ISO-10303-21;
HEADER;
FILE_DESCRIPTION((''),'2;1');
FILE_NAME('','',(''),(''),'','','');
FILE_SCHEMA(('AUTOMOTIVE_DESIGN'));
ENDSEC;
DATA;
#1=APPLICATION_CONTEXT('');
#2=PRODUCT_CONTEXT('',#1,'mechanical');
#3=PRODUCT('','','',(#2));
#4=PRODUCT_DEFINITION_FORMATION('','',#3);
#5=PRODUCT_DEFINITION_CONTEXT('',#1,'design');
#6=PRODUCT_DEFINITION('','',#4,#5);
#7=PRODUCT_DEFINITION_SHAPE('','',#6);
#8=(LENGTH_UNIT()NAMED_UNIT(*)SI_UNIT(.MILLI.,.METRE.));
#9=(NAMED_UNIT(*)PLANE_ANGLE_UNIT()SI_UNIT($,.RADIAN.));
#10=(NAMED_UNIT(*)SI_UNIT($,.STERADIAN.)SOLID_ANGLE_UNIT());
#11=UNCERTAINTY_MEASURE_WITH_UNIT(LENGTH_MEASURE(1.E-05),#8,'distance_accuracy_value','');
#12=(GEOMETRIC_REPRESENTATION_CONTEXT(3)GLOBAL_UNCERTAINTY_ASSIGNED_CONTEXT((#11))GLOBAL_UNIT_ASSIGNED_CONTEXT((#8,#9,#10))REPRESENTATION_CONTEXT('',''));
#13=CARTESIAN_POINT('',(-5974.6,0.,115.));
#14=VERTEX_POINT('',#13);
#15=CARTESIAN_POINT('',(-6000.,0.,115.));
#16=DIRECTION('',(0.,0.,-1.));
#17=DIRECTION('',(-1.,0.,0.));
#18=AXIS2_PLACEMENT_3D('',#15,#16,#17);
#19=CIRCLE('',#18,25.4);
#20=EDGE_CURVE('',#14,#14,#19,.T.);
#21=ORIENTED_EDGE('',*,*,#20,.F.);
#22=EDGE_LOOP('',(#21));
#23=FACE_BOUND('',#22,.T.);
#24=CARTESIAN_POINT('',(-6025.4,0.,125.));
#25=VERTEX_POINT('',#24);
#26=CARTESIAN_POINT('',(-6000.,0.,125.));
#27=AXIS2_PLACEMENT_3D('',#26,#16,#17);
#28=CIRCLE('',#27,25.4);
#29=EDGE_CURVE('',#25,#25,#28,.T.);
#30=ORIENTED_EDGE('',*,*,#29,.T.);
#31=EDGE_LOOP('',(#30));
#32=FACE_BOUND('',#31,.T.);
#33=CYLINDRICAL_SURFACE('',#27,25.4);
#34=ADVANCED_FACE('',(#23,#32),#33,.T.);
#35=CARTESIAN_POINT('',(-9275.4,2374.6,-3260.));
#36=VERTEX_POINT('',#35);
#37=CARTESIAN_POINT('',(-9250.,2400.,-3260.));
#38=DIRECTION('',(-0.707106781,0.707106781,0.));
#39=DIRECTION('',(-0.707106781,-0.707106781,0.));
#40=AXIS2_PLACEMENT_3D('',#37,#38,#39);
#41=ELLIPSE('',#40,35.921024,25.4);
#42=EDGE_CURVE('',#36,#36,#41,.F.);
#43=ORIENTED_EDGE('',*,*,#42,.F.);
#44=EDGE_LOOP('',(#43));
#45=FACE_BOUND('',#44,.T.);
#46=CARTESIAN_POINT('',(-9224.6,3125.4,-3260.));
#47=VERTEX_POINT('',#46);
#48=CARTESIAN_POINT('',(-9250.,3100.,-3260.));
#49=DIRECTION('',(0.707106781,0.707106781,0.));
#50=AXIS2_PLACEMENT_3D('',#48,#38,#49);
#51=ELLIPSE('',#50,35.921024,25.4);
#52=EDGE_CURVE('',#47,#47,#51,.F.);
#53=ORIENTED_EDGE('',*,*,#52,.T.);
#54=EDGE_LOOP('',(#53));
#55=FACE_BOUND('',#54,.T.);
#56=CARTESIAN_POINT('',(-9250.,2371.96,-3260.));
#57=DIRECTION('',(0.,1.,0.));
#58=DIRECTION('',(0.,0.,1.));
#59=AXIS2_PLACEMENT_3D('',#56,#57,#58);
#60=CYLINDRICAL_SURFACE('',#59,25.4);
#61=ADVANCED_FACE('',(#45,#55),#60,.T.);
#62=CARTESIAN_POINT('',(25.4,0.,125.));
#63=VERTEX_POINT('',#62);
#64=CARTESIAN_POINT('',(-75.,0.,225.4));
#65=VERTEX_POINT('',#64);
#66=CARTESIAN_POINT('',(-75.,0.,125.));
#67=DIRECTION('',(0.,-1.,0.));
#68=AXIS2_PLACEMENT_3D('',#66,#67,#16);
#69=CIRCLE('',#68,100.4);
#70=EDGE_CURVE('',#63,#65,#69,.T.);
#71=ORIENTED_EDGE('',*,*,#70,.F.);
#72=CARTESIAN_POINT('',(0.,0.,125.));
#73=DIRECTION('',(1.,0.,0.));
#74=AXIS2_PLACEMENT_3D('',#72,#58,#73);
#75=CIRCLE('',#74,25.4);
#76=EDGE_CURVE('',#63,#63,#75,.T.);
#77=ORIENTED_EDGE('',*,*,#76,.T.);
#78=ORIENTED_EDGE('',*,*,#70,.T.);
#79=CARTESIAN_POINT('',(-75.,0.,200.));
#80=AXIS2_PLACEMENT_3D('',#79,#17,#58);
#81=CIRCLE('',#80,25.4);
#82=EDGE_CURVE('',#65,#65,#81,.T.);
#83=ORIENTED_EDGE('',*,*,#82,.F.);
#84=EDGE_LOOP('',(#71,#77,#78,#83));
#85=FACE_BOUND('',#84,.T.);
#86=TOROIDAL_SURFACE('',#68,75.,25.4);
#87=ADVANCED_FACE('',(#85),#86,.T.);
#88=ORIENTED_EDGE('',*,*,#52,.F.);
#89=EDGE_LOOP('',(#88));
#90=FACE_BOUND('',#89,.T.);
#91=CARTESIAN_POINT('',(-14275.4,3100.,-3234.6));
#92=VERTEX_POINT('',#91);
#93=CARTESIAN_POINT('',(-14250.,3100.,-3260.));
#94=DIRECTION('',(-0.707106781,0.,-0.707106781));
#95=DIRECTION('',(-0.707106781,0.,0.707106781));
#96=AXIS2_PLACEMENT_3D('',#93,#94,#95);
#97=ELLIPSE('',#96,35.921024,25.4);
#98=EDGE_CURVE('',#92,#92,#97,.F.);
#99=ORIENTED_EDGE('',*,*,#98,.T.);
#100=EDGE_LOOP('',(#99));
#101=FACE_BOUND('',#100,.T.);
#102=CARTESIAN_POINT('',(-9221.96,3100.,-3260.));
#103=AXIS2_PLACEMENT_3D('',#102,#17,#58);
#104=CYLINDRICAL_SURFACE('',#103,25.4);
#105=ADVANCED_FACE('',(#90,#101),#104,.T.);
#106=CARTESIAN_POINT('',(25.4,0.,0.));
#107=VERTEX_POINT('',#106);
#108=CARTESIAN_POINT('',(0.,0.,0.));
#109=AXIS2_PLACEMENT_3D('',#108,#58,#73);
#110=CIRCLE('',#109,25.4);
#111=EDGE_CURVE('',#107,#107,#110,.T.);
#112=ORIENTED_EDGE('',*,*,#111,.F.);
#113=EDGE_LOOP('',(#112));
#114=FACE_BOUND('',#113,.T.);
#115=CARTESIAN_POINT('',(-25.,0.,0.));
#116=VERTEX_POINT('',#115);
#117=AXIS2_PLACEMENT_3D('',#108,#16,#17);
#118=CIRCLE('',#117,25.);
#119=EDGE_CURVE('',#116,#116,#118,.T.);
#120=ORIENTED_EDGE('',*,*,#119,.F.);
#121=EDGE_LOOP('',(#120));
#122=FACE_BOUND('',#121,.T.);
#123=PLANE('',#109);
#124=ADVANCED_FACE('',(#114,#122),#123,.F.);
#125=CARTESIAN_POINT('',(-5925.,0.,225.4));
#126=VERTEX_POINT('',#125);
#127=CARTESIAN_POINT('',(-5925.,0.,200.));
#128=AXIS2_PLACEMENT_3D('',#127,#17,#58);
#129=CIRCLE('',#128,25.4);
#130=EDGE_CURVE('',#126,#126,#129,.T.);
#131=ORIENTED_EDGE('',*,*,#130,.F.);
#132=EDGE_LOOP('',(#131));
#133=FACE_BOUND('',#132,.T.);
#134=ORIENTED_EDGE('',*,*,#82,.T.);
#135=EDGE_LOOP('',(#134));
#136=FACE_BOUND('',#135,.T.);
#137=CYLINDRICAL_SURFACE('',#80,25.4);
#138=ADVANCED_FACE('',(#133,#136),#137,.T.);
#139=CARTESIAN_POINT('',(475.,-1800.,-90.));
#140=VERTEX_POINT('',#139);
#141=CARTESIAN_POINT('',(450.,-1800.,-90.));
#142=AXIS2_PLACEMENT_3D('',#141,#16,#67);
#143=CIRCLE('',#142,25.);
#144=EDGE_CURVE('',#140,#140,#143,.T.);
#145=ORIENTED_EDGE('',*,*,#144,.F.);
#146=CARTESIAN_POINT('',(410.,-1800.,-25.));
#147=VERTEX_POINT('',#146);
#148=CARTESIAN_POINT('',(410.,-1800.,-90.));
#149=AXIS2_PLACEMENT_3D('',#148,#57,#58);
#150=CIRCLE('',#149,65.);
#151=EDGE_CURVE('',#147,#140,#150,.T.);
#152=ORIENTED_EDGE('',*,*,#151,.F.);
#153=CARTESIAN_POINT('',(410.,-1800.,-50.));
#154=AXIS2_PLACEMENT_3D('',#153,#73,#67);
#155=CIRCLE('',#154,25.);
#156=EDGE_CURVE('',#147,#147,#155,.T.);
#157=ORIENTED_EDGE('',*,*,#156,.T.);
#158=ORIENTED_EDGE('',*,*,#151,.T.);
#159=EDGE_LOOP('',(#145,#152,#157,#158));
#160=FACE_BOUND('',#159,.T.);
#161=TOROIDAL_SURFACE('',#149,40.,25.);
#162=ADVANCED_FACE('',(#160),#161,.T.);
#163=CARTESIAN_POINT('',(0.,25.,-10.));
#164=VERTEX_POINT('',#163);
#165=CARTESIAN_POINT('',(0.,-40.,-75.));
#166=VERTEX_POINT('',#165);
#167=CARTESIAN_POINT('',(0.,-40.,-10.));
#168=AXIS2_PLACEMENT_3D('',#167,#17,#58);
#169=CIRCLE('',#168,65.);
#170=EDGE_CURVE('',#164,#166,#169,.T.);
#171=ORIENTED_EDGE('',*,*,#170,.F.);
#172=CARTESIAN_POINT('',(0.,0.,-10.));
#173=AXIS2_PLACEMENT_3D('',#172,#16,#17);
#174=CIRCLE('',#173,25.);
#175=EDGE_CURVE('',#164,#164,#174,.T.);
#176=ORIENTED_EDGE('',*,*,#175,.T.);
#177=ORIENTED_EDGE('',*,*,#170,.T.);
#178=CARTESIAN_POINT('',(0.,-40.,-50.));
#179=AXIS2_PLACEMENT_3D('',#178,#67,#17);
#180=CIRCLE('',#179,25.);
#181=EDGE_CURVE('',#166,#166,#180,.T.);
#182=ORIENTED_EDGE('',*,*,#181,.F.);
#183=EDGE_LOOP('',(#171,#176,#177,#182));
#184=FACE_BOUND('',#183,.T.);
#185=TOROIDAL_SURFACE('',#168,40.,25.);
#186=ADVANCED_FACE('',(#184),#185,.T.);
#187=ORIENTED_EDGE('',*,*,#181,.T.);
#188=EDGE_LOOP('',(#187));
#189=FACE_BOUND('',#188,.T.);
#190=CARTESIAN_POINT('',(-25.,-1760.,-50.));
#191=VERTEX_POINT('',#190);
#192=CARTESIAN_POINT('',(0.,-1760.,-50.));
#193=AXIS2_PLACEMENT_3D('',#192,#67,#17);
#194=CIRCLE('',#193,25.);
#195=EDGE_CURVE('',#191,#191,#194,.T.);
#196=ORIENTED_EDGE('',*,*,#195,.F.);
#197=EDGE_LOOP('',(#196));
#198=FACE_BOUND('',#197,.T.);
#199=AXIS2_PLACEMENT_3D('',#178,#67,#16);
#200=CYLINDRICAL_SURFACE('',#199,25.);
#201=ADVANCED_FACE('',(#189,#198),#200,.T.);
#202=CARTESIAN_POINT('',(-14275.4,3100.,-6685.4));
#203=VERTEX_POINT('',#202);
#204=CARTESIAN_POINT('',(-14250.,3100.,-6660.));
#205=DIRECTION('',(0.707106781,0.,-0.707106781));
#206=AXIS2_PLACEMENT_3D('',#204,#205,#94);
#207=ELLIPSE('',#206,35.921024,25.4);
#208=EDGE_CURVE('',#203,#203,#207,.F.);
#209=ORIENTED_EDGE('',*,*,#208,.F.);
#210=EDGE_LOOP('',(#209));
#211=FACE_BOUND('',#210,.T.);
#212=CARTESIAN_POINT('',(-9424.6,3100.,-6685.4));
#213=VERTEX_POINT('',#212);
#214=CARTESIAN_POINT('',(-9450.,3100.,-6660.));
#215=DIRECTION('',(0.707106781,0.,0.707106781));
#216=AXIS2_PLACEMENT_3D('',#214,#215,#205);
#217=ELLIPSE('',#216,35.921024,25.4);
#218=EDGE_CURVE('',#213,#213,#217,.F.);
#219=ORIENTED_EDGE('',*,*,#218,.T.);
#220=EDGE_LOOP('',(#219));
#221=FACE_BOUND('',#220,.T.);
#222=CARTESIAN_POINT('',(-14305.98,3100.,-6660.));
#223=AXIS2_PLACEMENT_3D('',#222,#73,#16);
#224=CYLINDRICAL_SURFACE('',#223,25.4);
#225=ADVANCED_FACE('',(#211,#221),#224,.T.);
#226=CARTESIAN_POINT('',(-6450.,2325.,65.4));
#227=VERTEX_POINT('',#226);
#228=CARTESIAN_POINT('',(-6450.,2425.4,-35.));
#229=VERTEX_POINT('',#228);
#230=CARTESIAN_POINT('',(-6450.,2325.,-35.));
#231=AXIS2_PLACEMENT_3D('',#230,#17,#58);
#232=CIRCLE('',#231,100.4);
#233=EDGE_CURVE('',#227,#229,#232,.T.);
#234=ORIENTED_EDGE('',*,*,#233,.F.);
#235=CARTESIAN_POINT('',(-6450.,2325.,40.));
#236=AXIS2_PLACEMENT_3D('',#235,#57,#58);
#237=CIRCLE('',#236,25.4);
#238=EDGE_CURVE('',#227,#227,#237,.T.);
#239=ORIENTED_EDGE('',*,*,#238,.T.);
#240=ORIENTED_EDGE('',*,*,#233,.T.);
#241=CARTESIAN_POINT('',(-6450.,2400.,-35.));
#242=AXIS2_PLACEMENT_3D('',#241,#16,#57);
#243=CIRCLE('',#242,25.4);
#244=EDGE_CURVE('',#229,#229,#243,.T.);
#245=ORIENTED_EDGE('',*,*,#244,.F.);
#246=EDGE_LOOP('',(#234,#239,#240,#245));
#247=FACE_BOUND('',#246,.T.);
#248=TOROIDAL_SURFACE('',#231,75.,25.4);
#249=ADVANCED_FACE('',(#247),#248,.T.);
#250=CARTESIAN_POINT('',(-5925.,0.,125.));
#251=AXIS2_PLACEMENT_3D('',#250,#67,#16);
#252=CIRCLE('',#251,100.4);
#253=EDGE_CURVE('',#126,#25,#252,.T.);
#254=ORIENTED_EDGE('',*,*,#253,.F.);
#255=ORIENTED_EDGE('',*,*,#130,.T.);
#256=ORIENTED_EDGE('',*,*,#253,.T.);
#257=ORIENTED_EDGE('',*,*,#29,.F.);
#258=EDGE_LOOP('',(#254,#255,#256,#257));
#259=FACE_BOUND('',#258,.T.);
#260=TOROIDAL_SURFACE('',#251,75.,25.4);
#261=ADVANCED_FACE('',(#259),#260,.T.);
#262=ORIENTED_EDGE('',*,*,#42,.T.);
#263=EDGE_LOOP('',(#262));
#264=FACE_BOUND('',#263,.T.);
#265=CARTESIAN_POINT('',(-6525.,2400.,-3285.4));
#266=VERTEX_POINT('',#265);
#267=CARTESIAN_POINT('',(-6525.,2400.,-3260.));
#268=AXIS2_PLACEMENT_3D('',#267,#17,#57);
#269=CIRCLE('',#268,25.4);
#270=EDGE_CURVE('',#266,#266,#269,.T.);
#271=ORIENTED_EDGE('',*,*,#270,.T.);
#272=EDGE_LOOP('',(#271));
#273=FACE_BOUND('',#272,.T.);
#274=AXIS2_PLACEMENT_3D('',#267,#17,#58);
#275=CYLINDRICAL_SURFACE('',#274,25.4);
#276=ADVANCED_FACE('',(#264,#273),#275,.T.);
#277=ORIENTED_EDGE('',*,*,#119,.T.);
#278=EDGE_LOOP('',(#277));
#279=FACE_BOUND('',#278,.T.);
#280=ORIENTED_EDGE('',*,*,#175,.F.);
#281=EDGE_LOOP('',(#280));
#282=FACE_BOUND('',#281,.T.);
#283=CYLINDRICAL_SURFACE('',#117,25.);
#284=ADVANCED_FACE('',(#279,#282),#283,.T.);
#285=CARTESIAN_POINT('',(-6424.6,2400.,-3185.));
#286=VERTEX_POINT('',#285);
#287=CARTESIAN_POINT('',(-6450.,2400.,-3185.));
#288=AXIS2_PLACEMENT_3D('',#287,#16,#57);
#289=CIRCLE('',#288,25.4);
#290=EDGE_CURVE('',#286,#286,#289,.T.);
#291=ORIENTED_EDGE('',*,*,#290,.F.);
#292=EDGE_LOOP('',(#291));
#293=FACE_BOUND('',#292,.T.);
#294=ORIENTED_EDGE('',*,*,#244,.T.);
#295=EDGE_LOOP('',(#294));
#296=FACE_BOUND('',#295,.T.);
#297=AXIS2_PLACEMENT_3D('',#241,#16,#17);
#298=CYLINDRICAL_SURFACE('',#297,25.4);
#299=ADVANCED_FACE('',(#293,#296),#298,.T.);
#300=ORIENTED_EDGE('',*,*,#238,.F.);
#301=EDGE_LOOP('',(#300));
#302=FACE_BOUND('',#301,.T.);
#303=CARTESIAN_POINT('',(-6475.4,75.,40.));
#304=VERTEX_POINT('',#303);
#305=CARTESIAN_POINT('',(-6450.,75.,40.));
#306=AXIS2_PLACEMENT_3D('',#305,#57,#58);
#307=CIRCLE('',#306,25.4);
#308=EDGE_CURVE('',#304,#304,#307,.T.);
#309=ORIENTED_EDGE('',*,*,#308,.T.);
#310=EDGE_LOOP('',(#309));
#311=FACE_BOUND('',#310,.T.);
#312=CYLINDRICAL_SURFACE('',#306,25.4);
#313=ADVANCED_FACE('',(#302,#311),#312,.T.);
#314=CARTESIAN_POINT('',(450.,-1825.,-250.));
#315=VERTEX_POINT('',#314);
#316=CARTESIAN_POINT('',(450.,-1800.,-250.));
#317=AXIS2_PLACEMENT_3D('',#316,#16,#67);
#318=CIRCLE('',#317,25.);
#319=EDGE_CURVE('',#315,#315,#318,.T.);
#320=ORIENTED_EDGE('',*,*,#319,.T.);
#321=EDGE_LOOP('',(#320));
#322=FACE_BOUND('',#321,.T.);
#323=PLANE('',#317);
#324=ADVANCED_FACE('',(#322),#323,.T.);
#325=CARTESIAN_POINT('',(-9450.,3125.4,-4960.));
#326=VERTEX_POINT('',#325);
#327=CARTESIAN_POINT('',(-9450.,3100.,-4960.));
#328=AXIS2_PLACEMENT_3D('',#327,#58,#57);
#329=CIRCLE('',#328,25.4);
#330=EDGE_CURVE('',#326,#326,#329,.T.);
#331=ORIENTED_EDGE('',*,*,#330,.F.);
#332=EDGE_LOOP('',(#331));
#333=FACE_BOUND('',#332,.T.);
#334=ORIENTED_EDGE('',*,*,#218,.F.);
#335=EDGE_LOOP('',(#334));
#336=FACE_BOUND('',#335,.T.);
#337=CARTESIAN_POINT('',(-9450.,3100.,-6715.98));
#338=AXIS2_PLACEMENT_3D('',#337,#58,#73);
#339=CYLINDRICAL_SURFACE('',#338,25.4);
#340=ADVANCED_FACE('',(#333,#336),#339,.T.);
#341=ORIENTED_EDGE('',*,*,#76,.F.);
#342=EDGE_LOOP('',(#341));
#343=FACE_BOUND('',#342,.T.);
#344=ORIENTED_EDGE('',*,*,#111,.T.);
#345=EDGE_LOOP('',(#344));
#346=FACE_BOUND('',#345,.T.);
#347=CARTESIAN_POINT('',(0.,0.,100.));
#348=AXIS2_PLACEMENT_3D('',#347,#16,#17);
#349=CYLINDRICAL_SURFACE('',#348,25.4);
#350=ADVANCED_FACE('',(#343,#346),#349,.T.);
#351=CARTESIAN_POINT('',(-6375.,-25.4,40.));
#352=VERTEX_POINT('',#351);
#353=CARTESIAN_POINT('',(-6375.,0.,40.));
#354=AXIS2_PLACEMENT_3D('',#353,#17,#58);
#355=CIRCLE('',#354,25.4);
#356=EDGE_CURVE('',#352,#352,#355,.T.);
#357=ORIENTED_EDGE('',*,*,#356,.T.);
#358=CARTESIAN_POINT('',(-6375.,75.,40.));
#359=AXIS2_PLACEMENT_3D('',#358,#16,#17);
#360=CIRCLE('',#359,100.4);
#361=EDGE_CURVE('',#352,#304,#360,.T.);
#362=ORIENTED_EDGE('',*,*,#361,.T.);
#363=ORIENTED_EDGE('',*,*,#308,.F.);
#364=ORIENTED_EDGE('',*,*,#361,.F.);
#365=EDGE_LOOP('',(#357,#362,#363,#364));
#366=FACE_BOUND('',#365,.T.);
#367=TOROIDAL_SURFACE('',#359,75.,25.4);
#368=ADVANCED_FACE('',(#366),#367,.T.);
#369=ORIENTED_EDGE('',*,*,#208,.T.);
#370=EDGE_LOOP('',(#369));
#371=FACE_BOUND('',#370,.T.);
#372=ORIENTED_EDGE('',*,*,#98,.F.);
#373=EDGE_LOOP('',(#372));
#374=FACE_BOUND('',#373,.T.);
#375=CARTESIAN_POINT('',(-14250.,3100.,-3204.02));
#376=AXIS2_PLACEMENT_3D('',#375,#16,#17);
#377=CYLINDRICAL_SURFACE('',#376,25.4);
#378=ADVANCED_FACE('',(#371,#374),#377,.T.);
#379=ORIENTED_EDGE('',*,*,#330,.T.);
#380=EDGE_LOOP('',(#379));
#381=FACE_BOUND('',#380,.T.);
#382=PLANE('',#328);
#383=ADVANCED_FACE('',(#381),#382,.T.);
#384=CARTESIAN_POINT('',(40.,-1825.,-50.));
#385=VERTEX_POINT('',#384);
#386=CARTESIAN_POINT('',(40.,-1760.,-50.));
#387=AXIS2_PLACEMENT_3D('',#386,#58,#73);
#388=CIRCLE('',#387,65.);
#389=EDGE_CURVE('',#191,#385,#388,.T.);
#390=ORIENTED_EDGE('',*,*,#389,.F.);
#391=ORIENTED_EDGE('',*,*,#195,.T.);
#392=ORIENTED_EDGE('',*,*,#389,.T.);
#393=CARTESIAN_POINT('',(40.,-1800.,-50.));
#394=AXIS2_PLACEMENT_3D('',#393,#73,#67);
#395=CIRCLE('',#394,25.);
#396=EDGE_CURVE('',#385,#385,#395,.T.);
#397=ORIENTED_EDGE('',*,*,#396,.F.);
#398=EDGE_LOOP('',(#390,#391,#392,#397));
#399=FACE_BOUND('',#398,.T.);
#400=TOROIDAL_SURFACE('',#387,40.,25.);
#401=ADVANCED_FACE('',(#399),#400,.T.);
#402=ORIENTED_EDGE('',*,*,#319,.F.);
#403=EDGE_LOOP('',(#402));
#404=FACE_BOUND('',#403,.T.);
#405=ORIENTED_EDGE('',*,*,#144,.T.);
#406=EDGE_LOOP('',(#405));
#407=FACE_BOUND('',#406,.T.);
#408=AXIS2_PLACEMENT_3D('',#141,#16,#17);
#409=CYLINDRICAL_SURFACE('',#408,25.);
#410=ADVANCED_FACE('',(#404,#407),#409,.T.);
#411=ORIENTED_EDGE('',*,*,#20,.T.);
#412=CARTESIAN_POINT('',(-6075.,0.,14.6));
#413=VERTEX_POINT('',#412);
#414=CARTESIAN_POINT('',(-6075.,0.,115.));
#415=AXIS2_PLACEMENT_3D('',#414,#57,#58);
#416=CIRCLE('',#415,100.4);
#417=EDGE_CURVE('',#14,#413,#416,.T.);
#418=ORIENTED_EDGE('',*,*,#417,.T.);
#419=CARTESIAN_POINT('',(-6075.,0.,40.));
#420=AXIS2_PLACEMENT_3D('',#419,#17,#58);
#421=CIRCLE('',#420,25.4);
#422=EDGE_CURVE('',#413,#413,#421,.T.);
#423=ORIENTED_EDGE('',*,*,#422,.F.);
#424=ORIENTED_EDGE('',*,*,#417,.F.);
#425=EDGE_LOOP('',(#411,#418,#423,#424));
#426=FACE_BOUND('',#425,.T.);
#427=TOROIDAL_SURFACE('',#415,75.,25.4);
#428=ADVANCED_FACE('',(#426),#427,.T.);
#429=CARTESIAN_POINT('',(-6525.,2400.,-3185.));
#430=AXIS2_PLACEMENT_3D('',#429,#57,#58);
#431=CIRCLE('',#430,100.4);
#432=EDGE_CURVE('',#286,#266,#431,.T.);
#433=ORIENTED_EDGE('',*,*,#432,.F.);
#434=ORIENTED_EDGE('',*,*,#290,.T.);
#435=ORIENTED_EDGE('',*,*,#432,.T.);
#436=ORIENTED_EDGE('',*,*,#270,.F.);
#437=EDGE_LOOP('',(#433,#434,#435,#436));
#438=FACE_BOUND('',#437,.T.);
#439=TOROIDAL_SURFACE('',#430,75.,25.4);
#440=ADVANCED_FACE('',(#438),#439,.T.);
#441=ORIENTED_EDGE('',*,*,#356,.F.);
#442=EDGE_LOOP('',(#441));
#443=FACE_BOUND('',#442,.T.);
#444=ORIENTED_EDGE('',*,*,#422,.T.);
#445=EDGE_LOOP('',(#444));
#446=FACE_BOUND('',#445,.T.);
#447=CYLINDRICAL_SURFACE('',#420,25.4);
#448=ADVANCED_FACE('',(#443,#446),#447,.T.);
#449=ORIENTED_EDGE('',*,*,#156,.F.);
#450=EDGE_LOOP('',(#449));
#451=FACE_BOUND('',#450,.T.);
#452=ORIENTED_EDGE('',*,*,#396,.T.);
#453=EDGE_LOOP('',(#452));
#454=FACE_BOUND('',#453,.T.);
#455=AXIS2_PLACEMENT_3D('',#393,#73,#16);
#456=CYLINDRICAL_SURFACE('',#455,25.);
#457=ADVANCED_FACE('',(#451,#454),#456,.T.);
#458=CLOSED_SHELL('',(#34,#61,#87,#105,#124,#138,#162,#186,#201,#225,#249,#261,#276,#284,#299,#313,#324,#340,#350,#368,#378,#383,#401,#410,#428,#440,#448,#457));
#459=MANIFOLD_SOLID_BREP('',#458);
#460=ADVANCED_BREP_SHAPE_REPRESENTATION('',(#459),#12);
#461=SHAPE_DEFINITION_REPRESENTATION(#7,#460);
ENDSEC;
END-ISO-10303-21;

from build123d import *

# Parameters (mm, degrees)
CROQUIS1_R              = 25.4
SALIENTE_EXTRUIR1_DEPTH = 100
CROQUIS6_R              = 25.4
CROQUIS7_R              = 25


with BuildPart() as part:
    # Croquis1 → Saliente-Extruir1 (new body)
    with BuildSketch(Plane.XY):
        Circle(CROQUIS1_R)
    extrude(amount=SALIENTE_EXTRUIR1_DEPTH)

    # Barrer2: sweep along a curve in space
    with BuildLine() as barrer2_path:
        Line((0, 0, 100), (0, 0, 125))
        ThreePointArc((0, 0, 125), (-21.966991411, 0, 178.033008589), (-75, 0, 200))
        Line((-75, 0, 200), (-5925, 0, 200))
        ThreePointArc((-5925, 0, 200), (-5978.033008589, 0, 178.033008589), (-6000, 0, 125))
        Line((-6000, 0, 125), (-6000, 0, 115))
        ThreePointArc((-6000, 0, 115), (-6021.966991411, 0, 61.966991411), (-6075, 0, 40))
        Line((-6075, 0, 40), (-6375, 0, 40))
        ThreePointArc((-6375, 0, 40), (-6428.033008589, 21.966991411, 40), (-6450, 75, 40))
        Line((-6450, 75, 40), (-6450, 2325, 40))
        ThreePointArc((-6450, 2325, 40), (-6450, 2378.033008589, 18.033008589), (-6450, 2400, -35))
        Line((-6450, 2400, -35), (-6450, 2400, -3185))
        ThreePointArc((-6450, 2400, -3185), (-6471.966991411, 2400, -3238.033008589), (-6525, 2400, -3260))
        Line((-6525, 2400, -3260), (-9250, 2400, -3260))
        Line((-9250, 2400, -3260), (-9250, 3100, -3260))
        Line((-9250, 3100, -3260), (-14250, 3100, -3260))
        Line((-14250, 3100, -3260), (-14250, 3100, -6660))
        Line((-14250, 3100, -6660), (-9450, 3100, -6660))
        Line((-9450, 3100, -6660), (-9450, 3100, -4960))
    # Croquis6 → Barrer2 (sweep)
    with BuildSketch(Plane.XY.offset(100)):
        Circle(CROQUIS6_R)
    sweep(path=barrer2_path.line, transition=Transition.RIGHT)

    # Barrer3: sweep along a curve in space
    with BuildLine() as barrer3_path:
        Line((0, 0, 0), (0, 0, -10))
        ThreePointArc((0, 0, -10), (0, -11.715728753, -38.284271247), (0, -40, -50))
        Line((0, -40, -50), (0, -1760, -50))
        ThreePointArc((0, -1760, -50), (11.715728753, -1788.284271247, -50), (40, -1800, -50))
        Line((40, -1800, -50), (410, -1800, -50))
        ThreePointArc((410, -1800, -50), (438.284271247, -1800, -61.715728753), (450, -1800, -90))
        Line((450, -1800, -90), (450, -1800, -250))
    # Croquis7 → Barrer3 (sweep)
    with BuildSketch(Plane(origin=(0, 0, 0), x_dir=(-1, 0, 0), z_dir=(0, 0, -1))):
        Circle(CROQUIS7_R)
    sweep(path=barrer3_path.line)


solid = part.part
